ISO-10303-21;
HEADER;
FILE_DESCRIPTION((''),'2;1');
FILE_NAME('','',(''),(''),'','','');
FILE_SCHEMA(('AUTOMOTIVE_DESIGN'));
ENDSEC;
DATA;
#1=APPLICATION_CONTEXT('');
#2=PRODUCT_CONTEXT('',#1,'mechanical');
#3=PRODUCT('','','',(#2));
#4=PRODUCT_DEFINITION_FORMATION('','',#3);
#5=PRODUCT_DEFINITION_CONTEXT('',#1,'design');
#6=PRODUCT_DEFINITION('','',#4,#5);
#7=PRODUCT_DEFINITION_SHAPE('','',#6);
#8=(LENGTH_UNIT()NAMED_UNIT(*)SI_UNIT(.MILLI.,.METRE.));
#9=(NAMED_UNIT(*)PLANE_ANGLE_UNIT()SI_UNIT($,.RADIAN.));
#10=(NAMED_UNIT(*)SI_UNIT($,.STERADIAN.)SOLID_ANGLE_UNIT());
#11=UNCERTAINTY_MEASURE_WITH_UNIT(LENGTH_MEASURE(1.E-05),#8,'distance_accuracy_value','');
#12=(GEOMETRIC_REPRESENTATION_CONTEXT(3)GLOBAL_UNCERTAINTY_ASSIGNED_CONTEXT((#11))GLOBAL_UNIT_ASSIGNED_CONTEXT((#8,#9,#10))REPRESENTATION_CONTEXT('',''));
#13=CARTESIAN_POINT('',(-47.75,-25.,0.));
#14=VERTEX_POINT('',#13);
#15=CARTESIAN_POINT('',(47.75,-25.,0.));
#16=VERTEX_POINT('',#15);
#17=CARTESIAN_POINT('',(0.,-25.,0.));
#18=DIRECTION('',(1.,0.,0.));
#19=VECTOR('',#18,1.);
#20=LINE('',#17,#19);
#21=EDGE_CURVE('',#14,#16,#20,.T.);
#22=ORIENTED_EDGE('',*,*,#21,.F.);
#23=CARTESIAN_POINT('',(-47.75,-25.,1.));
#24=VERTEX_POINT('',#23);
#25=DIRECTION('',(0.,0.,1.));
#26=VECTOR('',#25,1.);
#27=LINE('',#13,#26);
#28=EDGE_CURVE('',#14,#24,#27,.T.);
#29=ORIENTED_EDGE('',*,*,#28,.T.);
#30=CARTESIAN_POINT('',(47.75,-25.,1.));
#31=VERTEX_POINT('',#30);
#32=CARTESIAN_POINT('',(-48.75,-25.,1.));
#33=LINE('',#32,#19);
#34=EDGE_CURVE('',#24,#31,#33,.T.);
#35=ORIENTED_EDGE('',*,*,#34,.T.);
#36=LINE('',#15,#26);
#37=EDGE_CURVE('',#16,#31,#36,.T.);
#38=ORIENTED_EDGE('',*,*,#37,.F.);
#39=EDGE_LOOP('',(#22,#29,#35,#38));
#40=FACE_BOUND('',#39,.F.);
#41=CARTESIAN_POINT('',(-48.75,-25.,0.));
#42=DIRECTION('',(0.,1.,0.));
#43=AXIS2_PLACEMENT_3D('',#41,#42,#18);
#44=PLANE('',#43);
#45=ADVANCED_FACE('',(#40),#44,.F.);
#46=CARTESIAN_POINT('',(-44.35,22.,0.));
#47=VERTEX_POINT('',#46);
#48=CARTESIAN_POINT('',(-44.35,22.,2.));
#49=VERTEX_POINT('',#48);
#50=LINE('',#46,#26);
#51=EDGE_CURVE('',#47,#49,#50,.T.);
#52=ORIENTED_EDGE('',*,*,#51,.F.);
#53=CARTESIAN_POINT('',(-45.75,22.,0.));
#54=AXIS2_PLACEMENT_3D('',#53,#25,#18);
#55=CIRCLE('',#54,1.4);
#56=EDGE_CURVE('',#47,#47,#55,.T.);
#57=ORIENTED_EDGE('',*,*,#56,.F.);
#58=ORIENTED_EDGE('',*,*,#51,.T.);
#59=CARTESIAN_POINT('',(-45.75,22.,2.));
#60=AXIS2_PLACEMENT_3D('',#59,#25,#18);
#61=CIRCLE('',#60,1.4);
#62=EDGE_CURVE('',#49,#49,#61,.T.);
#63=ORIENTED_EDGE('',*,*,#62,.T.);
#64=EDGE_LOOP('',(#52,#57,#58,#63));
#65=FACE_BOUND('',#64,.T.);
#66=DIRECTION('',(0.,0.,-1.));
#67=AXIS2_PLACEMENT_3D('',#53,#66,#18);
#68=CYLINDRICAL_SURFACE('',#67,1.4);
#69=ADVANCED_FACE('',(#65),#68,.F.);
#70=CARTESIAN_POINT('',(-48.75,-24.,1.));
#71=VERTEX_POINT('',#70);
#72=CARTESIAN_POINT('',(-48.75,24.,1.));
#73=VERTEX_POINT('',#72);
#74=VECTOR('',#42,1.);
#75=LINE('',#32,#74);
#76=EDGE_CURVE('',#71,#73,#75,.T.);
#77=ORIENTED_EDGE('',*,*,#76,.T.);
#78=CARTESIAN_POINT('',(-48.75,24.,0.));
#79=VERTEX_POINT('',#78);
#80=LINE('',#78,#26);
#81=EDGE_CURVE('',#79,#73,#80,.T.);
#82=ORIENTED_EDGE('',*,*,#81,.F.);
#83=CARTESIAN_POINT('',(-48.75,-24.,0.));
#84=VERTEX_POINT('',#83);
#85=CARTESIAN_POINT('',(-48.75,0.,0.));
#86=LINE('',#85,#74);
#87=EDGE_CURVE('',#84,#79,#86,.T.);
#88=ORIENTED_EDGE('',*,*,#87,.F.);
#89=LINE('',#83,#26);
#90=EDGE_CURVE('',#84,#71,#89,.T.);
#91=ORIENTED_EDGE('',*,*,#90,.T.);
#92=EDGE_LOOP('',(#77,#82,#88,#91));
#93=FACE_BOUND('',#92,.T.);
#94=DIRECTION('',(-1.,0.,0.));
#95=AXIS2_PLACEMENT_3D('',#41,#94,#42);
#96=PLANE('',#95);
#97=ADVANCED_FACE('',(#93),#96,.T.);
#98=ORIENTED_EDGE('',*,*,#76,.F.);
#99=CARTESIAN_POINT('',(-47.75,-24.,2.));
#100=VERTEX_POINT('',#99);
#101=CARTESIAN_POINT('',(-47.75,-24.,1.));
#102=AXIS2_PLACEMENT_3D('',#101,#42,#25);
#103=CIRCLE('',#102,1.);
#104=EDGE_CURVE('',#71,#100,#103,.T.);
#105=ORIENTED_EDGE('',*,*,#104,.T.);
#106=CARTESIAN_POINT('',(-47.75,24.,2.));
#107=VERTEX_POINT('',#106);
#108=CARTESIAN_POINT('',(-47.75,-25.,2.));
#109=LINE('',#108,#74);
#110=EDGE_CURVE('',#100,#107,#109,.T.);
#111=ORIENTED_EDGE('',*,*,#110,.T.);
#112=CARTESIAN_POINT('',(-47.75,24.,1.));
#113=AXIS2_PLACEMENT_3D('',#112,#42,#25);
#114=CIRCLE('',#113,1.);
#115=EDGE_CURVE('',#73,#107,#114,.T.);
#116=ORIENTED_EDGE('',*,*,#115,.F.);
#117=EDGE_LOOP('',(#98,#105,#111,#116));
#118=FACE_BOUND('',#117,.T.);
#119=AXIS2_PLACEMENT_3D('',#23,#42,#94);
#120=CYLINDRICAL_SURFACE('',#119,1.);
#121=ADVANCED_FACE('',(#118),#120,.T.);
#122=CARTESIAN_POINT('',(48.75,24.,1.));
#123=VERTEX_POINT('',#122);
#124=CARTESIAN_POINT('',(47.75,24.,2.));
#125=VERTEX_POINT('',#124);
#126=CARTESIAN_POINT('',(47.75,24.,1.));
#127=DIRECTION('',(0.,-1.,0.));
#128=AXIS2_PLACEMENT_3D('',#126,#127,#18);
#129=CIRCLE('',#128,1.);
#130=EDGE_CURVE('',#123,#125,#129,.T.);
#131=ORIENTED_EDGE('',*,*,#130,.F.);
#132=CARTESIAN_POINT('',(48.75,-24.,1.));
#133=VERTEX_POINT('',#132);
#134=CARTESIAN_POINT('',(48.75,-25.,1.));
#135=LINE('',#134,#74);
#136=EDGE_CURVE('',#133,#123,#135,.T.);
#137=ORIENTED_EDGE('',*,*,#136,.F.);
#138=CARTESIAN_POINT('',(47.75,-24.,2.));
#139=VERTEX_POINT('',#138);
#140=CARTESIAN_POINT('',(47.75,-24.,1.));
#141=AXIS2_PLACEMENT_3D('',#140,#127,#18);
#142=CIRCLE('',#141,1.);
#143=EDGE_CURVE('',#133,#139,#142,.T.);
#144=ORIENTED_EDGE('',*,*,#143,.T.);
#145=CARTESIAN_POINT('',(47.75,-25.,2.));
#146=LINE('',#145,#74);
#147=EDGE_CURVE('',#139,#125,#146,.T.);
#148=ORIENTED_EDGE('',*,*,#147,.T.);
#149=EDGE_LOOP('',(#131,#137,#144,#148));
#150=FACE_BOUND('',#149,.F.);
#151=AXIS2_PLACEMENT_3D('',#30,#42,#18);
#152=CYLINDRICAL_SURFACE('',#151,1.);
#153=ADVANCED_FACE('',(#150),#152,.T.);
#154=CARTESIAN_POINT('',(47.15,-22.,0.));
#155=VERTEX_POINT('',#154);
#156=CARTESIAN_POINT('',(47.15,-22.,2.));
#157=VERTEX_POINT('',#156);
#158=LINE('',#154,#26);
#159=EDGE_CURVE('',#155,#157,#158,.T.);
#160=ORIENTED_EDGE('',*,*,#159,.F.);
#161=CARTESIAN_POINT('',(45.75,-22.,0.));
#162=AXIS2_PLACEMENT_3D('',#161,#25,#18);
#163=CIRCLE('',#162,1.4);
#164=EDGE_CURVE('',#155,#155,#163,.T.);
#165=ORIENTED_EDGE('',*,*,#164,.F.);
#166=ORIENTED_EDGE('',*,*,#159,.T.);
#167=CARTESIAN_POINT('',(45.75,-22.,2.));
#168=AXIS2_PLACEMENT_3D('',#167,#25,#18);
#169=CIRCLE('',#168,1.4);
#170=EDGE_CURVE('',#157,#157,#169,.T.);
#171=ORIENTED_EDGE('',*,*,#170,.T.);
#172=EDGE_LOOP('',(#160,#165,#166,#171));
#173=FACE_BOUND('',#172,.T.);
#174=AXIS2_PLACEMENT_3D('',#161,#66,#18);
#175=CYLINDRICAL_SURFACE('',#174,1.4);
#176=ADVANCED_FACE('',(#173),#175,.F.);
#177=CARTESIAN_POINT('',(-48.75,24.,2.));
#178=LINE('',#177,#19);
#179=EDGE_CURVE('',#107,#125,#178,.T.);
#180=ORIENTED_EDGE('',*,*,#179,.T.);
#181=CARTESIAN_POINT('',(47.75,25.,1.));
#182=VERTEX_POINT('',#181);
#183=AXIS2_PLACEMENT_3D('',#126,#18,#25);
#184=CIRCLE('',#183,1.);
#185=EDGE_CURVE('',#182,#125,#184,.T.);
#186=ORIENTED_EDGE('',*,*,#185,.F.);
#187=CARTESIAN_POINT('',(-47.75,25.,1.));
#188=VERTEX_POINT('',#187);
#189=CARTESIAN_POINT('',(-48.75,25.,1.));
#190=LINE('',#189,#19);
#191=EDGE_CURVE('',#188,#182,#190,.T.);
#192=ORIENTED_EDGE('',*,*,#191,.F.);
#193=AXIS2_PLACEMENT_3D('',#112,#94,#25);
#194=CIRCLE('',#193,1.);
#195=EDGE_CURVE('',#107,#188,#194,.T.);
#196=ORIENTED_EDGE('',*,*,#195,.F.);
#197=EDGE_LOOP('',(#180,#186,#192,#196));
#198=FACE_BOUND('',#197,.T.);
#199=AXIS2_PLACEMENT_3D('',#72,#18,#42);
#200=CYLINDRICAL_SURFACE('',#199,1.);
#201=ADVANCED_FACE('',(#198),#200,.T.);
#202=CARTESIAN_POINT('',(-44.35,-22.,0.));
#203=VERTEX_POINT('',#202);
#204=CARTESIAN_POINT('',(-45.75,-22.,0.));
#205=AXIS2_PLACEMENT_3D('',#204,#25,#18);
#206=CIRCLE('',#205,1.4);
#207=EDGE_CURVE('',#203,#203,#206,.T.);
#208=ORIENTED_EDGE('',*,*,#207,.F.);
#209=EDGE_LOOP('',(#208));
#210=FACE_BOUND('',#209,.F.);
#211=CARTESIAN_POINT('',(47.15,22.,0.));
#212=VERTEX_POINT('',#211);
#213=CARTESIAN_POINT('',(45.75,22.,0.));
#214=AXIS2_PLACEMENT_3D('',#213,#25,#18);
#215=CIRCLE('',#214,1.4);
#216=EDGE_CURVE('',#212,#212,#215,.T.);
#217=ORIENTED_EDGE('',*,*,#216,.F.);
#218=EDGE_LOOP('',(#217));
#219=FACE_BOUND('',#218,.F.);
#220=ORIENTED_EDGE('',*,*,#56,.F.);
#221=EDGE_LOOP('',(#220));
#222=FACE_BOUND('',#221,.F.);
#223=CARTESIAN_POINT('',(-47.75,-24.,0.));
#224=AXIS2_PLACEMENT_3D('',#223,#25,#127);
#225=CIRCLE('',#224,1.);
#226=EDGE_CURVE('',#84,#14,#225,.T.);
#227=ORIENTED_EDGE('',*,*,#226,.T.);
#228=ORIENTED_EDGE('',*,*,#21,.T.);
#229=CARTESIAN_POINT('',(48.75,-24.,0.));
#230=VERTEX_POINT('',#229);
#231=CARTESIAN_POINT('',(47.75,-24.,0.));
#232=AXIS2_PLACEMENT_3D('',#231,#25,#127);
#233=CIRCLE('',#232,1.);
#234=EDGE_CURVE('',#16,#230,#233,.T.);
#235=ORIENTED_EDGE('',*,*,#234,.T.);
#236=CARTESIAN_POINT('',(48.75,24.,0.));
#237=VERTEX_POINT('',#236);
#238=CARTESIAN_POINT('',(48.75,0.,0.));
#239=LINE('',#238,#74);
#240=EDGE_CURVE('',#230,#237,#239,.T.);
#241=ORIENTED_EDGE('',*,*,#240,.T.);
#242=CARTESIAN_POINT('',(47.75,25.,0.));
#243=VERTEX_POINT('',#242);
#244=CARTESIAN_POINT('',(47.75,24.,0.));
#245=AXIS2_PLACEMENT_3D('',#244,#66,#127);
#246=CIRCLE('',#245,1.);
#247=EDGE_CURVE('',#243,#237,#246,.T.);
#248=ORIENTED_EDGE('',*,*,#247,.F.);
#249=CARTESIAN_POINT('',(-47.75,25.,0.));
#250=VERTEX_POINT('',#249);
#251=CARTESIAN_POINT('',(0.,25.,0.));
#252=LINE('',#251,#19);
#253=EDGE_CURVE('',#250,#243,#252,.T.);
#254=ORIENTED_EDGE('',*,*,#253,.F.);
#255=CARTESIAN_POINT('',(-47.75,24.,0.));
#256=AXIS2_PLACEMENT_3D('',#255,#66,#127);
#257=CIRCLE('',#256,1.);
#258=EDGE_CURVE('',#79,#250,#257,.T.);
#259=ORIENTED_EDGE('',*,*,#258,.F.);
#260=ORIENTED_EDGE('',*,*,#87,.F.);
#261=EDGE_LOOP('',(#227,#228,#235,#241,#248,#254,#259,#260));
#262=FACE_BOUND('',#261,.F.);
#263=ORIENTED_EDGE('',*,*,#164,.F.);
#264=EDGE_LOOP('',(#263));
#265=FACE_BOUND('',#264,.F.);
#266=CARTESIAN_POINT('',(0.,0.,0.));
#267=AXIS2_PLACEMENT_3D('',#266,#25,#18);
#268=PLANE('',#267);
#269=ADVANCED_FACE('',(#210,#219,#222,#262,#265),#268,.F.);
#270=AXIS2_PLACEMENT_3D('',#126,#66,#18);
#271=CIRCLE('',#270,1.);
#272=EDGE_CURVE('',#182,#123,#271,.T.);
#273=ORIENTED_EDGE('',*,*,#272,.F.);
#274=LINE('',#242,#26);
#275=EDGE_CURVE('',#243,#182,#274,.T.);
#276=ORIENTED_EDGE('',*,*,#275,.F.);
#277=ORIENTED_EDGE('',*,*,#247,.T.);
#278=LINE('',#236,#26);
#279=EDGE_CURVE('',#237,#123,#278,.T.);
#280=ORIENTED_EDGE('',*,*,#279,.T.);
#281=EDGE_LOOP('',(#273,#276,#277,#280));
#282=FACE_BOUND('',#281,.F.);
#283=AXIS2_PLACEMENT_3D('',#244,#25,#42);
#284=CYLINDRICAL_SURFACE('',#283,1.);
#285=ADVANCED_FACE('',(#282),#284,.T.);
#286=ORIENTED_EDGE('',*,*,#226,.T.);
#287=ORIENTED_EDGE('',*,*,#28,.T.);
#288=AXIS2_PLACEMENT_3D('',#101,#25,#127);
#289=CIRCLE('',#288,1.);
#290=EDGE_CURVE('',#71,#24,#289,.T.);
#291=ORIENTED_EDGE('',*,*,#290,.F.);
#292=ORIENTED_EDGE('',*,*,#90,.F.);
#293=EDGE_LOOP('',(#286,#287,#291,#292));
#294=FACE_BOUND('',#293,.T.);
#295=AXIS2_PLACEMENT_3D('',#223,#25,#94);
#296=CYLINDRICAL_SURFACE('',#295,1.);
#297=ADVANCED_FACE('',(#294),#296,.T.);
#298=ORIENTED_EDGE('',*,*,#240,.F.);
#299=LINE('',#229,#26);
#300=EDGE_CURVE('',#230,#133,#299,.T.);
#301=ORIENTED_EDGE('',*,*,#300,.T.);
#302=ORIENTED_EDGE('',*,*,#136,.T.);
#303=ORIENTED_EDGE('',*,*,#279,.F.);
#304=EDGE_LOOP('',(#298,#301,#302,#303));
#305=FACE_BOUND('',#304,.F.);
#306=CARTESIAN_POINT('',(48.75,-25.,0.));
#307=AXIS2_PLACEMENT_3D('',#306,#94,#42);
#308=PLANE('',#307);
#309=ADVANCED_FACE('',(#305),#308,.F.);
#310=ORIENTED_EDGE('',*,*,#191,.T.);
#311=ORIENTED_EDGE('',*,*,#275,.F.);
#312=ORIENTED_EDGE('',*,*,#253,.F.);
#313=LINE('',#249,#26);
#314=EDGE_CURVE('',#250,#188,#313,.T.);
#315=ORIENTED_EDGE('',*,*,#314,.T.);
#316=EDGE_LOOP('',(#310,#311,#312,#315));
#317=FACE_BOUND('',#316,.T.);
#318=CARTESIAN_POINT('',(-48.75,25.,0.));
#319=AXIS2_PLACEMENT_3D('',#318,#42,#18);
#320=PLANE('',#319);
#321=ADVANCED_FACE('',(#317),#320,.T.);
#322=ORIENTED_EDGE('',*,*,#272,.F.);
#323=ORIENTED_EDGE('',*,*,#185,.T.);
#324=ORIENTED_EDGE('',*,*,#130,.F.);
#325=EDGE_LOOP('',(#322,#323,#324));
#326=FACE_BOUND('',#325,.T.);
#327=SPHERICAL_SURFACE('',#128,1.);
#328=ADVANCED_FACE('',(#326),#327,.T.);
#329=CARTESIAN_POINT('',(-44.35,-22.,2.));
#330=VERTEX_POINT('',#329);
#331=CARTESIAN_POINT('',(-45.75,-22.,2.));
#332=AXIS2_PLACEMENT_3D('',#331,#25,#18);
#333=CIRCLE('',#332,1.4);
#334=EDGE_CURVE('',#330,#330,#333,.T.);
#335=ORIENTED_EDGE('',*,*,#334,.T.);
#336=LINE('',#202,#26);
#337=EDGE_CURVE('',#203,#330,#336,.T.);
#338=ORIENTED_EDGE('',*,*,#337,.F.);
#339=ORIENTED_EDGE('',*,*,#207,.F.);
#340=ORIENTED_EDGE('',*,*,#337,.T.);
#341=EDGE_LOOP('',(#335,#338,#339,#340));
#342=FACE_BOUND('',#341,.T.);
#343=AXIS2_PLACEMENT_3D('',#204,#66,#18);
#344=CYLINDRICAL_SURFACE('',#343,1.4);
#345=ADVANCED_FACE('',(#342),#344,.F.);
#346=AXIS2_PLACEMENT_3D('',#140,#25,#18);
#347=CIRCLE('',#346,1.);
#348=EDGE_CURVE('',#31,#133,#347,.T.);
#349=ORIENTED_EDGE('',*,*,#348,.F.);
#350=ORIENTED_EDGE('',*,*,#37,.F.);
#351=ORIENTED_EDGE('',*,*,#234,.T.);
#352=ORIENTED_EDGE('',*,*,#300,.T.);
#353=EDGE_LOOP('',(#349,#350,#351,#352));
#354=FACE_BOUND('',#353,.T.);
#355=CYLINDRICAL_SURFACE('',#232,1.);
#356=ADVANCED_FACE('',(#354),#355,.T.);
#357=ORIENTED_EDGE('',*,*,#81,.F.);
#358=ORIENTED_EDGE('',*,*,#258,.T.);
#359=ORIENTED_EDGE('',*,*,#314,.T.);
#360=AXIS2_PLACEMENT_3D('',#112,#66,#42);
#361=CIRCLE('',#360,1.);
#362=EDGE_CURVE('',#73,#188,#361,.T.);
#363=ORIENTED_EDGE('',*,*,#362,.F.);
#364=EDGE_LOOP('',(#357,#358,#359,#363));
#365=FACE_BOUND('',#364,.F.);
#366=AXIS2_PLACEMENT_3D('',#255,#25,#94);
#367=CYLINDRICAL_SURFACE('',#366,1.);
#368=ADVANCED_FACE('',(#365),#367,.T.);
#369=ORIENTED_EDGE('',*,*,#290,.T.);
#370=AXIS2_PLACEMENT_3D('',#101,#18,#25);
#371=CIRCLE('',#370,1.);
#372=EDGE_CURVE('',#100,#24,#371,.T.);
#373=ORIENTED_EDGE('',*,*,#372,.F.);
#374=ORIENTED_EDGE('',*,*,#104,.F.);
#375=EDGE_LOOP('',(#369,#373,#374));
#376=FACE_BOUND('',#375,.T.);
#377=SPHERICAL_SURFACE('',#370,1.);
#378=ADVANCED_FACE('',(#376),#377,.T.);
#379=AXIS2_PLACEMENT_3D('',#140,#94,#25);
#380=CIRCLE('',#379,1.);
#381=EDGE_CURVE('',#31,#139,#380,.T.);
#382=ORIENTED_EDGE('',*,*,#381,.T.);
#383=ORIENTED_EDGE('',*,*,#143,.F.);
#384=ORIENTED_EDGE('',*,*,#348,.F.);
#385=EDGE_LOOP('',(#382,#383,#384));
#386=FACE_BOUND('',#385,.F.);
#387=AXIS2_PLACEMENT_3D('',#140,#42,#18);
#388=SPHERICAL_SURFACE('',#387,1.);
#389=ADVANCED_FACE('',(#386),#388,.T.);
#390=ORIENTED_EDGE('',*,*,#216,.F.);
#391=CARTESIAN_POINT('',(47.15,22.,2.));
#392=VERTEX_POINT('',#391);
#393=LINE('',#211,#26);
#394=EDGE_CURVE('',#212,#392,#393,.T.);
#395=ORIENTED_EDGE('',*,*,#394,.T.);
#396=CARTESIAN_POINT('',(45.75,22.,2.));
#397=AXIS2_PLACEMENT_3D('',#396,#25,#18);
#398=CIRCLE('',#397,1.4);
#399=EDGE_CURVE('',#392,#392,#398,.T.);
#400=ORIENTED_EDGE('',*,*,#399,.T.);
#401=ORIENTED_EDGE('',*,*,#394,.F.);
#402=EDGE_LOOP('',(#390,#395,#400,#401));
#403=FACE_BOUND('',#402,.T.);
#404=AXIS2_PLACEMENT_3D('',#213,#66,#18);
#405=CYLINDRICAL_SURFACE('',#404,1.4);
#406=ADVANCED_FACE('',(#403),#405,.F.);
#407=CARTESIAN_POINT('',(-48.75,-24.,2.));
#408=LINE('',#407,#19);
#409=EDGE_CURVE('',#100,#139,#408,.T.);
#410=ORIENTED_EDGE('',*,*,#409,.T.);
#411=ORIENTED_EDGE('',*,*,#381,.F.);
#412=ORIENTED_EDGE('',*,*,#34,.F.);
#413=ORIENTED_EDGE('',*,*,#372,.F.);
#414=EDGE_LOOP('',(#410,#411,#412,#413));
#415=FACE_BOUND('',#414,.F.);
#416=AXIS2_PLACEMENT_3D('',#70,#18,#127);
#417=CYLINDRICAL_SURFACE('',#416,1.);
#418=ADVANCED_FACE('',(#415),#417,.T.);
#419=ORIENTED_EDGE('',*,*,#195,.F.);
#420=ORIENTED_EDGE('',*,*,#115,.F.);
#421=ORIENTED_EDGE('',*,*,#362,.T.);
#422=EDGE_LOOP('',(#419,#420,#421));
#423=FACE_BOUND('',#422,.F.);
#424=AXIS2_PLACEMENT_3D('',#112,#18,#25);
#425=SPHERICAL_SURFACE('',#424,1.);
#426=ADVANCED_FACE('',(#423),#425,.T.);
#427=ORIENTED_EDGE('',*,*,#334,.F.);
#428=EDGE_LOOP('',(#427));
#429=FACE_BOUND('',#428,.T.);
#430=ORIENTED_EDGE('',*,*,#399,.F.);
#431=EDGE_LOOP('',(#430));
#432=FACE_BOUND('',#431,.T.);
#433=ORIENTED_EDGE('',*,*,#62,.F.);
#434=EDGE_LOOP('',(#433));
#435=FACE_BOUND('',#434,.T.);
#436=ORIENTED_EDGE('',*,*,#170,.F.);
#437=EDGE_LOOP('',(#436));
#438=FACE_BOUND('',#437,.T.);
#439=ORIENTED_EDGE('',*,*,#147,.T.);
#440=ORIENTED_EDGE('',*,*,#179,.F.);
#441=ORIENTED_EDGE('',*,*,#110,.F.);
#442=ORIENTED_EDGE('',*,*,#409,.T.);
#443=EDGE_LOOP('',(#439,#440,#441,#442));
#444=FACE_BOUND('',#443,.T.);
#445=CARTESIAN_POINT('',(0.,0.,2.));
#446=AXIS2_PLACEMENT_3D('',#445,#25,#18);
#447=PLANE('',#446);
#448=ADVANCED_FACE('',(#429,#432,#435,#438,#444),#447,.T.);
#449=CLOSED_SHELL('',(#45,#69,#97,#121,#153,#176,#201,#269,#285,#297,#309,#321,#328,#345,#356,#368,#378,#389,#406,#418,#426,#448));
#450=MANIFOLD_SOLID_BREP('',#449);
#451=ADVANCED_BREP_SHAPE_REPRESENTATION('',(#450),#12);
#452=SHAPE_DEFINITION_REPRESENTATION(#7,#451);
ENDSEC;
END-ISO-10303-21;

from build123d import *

# Parameters (mm, degrees)
SKETCH_W  = 97.5
SKETCH_H  = 50
SKETCH_R  = 1.4
PAD_DEPTH = 2
FILLET_R  = 1


with BuildPart() as part:
    # Sketch → Pad (new body)
    with BuildSketch(Plane.XY):
        Rectangle(SKETCH_W, SKETCH_H)
        with Locations((-45.75, 22)):
            Circle(SKETCH_R, mode=Mode.SUBTRACT)
        with Locations((45.75, 22)):
            Circle(SKETCH_R, mode=Mode.SUBTRACT)
        with Locations((45.75, -22)):
            Circle(SKETCH_R, mode=Mode.SUBTRACT)
        with Locations((-45.75, -22)):
            Circle(SKETCH_R, mode=Mode.SUBTRACT)
    extrude(amount=PAD_DEPTH)

    # Fillet
    fillet_edges = [part.edges().sort_by_distance(p)[0] for p in [
        (48.75, 0, 2),
        (48.75, 25, 1),
        (48.75, -25, 1),
        (0, -25, 2),
        (0, 25, 2),
        (-48.75, 0, 2),
        (-48.75, 25, 1),
        (-48.75, -25, 1),
    ]]
    fillet(fillet_edges, radius=FILLET_R)


solid = part.part
